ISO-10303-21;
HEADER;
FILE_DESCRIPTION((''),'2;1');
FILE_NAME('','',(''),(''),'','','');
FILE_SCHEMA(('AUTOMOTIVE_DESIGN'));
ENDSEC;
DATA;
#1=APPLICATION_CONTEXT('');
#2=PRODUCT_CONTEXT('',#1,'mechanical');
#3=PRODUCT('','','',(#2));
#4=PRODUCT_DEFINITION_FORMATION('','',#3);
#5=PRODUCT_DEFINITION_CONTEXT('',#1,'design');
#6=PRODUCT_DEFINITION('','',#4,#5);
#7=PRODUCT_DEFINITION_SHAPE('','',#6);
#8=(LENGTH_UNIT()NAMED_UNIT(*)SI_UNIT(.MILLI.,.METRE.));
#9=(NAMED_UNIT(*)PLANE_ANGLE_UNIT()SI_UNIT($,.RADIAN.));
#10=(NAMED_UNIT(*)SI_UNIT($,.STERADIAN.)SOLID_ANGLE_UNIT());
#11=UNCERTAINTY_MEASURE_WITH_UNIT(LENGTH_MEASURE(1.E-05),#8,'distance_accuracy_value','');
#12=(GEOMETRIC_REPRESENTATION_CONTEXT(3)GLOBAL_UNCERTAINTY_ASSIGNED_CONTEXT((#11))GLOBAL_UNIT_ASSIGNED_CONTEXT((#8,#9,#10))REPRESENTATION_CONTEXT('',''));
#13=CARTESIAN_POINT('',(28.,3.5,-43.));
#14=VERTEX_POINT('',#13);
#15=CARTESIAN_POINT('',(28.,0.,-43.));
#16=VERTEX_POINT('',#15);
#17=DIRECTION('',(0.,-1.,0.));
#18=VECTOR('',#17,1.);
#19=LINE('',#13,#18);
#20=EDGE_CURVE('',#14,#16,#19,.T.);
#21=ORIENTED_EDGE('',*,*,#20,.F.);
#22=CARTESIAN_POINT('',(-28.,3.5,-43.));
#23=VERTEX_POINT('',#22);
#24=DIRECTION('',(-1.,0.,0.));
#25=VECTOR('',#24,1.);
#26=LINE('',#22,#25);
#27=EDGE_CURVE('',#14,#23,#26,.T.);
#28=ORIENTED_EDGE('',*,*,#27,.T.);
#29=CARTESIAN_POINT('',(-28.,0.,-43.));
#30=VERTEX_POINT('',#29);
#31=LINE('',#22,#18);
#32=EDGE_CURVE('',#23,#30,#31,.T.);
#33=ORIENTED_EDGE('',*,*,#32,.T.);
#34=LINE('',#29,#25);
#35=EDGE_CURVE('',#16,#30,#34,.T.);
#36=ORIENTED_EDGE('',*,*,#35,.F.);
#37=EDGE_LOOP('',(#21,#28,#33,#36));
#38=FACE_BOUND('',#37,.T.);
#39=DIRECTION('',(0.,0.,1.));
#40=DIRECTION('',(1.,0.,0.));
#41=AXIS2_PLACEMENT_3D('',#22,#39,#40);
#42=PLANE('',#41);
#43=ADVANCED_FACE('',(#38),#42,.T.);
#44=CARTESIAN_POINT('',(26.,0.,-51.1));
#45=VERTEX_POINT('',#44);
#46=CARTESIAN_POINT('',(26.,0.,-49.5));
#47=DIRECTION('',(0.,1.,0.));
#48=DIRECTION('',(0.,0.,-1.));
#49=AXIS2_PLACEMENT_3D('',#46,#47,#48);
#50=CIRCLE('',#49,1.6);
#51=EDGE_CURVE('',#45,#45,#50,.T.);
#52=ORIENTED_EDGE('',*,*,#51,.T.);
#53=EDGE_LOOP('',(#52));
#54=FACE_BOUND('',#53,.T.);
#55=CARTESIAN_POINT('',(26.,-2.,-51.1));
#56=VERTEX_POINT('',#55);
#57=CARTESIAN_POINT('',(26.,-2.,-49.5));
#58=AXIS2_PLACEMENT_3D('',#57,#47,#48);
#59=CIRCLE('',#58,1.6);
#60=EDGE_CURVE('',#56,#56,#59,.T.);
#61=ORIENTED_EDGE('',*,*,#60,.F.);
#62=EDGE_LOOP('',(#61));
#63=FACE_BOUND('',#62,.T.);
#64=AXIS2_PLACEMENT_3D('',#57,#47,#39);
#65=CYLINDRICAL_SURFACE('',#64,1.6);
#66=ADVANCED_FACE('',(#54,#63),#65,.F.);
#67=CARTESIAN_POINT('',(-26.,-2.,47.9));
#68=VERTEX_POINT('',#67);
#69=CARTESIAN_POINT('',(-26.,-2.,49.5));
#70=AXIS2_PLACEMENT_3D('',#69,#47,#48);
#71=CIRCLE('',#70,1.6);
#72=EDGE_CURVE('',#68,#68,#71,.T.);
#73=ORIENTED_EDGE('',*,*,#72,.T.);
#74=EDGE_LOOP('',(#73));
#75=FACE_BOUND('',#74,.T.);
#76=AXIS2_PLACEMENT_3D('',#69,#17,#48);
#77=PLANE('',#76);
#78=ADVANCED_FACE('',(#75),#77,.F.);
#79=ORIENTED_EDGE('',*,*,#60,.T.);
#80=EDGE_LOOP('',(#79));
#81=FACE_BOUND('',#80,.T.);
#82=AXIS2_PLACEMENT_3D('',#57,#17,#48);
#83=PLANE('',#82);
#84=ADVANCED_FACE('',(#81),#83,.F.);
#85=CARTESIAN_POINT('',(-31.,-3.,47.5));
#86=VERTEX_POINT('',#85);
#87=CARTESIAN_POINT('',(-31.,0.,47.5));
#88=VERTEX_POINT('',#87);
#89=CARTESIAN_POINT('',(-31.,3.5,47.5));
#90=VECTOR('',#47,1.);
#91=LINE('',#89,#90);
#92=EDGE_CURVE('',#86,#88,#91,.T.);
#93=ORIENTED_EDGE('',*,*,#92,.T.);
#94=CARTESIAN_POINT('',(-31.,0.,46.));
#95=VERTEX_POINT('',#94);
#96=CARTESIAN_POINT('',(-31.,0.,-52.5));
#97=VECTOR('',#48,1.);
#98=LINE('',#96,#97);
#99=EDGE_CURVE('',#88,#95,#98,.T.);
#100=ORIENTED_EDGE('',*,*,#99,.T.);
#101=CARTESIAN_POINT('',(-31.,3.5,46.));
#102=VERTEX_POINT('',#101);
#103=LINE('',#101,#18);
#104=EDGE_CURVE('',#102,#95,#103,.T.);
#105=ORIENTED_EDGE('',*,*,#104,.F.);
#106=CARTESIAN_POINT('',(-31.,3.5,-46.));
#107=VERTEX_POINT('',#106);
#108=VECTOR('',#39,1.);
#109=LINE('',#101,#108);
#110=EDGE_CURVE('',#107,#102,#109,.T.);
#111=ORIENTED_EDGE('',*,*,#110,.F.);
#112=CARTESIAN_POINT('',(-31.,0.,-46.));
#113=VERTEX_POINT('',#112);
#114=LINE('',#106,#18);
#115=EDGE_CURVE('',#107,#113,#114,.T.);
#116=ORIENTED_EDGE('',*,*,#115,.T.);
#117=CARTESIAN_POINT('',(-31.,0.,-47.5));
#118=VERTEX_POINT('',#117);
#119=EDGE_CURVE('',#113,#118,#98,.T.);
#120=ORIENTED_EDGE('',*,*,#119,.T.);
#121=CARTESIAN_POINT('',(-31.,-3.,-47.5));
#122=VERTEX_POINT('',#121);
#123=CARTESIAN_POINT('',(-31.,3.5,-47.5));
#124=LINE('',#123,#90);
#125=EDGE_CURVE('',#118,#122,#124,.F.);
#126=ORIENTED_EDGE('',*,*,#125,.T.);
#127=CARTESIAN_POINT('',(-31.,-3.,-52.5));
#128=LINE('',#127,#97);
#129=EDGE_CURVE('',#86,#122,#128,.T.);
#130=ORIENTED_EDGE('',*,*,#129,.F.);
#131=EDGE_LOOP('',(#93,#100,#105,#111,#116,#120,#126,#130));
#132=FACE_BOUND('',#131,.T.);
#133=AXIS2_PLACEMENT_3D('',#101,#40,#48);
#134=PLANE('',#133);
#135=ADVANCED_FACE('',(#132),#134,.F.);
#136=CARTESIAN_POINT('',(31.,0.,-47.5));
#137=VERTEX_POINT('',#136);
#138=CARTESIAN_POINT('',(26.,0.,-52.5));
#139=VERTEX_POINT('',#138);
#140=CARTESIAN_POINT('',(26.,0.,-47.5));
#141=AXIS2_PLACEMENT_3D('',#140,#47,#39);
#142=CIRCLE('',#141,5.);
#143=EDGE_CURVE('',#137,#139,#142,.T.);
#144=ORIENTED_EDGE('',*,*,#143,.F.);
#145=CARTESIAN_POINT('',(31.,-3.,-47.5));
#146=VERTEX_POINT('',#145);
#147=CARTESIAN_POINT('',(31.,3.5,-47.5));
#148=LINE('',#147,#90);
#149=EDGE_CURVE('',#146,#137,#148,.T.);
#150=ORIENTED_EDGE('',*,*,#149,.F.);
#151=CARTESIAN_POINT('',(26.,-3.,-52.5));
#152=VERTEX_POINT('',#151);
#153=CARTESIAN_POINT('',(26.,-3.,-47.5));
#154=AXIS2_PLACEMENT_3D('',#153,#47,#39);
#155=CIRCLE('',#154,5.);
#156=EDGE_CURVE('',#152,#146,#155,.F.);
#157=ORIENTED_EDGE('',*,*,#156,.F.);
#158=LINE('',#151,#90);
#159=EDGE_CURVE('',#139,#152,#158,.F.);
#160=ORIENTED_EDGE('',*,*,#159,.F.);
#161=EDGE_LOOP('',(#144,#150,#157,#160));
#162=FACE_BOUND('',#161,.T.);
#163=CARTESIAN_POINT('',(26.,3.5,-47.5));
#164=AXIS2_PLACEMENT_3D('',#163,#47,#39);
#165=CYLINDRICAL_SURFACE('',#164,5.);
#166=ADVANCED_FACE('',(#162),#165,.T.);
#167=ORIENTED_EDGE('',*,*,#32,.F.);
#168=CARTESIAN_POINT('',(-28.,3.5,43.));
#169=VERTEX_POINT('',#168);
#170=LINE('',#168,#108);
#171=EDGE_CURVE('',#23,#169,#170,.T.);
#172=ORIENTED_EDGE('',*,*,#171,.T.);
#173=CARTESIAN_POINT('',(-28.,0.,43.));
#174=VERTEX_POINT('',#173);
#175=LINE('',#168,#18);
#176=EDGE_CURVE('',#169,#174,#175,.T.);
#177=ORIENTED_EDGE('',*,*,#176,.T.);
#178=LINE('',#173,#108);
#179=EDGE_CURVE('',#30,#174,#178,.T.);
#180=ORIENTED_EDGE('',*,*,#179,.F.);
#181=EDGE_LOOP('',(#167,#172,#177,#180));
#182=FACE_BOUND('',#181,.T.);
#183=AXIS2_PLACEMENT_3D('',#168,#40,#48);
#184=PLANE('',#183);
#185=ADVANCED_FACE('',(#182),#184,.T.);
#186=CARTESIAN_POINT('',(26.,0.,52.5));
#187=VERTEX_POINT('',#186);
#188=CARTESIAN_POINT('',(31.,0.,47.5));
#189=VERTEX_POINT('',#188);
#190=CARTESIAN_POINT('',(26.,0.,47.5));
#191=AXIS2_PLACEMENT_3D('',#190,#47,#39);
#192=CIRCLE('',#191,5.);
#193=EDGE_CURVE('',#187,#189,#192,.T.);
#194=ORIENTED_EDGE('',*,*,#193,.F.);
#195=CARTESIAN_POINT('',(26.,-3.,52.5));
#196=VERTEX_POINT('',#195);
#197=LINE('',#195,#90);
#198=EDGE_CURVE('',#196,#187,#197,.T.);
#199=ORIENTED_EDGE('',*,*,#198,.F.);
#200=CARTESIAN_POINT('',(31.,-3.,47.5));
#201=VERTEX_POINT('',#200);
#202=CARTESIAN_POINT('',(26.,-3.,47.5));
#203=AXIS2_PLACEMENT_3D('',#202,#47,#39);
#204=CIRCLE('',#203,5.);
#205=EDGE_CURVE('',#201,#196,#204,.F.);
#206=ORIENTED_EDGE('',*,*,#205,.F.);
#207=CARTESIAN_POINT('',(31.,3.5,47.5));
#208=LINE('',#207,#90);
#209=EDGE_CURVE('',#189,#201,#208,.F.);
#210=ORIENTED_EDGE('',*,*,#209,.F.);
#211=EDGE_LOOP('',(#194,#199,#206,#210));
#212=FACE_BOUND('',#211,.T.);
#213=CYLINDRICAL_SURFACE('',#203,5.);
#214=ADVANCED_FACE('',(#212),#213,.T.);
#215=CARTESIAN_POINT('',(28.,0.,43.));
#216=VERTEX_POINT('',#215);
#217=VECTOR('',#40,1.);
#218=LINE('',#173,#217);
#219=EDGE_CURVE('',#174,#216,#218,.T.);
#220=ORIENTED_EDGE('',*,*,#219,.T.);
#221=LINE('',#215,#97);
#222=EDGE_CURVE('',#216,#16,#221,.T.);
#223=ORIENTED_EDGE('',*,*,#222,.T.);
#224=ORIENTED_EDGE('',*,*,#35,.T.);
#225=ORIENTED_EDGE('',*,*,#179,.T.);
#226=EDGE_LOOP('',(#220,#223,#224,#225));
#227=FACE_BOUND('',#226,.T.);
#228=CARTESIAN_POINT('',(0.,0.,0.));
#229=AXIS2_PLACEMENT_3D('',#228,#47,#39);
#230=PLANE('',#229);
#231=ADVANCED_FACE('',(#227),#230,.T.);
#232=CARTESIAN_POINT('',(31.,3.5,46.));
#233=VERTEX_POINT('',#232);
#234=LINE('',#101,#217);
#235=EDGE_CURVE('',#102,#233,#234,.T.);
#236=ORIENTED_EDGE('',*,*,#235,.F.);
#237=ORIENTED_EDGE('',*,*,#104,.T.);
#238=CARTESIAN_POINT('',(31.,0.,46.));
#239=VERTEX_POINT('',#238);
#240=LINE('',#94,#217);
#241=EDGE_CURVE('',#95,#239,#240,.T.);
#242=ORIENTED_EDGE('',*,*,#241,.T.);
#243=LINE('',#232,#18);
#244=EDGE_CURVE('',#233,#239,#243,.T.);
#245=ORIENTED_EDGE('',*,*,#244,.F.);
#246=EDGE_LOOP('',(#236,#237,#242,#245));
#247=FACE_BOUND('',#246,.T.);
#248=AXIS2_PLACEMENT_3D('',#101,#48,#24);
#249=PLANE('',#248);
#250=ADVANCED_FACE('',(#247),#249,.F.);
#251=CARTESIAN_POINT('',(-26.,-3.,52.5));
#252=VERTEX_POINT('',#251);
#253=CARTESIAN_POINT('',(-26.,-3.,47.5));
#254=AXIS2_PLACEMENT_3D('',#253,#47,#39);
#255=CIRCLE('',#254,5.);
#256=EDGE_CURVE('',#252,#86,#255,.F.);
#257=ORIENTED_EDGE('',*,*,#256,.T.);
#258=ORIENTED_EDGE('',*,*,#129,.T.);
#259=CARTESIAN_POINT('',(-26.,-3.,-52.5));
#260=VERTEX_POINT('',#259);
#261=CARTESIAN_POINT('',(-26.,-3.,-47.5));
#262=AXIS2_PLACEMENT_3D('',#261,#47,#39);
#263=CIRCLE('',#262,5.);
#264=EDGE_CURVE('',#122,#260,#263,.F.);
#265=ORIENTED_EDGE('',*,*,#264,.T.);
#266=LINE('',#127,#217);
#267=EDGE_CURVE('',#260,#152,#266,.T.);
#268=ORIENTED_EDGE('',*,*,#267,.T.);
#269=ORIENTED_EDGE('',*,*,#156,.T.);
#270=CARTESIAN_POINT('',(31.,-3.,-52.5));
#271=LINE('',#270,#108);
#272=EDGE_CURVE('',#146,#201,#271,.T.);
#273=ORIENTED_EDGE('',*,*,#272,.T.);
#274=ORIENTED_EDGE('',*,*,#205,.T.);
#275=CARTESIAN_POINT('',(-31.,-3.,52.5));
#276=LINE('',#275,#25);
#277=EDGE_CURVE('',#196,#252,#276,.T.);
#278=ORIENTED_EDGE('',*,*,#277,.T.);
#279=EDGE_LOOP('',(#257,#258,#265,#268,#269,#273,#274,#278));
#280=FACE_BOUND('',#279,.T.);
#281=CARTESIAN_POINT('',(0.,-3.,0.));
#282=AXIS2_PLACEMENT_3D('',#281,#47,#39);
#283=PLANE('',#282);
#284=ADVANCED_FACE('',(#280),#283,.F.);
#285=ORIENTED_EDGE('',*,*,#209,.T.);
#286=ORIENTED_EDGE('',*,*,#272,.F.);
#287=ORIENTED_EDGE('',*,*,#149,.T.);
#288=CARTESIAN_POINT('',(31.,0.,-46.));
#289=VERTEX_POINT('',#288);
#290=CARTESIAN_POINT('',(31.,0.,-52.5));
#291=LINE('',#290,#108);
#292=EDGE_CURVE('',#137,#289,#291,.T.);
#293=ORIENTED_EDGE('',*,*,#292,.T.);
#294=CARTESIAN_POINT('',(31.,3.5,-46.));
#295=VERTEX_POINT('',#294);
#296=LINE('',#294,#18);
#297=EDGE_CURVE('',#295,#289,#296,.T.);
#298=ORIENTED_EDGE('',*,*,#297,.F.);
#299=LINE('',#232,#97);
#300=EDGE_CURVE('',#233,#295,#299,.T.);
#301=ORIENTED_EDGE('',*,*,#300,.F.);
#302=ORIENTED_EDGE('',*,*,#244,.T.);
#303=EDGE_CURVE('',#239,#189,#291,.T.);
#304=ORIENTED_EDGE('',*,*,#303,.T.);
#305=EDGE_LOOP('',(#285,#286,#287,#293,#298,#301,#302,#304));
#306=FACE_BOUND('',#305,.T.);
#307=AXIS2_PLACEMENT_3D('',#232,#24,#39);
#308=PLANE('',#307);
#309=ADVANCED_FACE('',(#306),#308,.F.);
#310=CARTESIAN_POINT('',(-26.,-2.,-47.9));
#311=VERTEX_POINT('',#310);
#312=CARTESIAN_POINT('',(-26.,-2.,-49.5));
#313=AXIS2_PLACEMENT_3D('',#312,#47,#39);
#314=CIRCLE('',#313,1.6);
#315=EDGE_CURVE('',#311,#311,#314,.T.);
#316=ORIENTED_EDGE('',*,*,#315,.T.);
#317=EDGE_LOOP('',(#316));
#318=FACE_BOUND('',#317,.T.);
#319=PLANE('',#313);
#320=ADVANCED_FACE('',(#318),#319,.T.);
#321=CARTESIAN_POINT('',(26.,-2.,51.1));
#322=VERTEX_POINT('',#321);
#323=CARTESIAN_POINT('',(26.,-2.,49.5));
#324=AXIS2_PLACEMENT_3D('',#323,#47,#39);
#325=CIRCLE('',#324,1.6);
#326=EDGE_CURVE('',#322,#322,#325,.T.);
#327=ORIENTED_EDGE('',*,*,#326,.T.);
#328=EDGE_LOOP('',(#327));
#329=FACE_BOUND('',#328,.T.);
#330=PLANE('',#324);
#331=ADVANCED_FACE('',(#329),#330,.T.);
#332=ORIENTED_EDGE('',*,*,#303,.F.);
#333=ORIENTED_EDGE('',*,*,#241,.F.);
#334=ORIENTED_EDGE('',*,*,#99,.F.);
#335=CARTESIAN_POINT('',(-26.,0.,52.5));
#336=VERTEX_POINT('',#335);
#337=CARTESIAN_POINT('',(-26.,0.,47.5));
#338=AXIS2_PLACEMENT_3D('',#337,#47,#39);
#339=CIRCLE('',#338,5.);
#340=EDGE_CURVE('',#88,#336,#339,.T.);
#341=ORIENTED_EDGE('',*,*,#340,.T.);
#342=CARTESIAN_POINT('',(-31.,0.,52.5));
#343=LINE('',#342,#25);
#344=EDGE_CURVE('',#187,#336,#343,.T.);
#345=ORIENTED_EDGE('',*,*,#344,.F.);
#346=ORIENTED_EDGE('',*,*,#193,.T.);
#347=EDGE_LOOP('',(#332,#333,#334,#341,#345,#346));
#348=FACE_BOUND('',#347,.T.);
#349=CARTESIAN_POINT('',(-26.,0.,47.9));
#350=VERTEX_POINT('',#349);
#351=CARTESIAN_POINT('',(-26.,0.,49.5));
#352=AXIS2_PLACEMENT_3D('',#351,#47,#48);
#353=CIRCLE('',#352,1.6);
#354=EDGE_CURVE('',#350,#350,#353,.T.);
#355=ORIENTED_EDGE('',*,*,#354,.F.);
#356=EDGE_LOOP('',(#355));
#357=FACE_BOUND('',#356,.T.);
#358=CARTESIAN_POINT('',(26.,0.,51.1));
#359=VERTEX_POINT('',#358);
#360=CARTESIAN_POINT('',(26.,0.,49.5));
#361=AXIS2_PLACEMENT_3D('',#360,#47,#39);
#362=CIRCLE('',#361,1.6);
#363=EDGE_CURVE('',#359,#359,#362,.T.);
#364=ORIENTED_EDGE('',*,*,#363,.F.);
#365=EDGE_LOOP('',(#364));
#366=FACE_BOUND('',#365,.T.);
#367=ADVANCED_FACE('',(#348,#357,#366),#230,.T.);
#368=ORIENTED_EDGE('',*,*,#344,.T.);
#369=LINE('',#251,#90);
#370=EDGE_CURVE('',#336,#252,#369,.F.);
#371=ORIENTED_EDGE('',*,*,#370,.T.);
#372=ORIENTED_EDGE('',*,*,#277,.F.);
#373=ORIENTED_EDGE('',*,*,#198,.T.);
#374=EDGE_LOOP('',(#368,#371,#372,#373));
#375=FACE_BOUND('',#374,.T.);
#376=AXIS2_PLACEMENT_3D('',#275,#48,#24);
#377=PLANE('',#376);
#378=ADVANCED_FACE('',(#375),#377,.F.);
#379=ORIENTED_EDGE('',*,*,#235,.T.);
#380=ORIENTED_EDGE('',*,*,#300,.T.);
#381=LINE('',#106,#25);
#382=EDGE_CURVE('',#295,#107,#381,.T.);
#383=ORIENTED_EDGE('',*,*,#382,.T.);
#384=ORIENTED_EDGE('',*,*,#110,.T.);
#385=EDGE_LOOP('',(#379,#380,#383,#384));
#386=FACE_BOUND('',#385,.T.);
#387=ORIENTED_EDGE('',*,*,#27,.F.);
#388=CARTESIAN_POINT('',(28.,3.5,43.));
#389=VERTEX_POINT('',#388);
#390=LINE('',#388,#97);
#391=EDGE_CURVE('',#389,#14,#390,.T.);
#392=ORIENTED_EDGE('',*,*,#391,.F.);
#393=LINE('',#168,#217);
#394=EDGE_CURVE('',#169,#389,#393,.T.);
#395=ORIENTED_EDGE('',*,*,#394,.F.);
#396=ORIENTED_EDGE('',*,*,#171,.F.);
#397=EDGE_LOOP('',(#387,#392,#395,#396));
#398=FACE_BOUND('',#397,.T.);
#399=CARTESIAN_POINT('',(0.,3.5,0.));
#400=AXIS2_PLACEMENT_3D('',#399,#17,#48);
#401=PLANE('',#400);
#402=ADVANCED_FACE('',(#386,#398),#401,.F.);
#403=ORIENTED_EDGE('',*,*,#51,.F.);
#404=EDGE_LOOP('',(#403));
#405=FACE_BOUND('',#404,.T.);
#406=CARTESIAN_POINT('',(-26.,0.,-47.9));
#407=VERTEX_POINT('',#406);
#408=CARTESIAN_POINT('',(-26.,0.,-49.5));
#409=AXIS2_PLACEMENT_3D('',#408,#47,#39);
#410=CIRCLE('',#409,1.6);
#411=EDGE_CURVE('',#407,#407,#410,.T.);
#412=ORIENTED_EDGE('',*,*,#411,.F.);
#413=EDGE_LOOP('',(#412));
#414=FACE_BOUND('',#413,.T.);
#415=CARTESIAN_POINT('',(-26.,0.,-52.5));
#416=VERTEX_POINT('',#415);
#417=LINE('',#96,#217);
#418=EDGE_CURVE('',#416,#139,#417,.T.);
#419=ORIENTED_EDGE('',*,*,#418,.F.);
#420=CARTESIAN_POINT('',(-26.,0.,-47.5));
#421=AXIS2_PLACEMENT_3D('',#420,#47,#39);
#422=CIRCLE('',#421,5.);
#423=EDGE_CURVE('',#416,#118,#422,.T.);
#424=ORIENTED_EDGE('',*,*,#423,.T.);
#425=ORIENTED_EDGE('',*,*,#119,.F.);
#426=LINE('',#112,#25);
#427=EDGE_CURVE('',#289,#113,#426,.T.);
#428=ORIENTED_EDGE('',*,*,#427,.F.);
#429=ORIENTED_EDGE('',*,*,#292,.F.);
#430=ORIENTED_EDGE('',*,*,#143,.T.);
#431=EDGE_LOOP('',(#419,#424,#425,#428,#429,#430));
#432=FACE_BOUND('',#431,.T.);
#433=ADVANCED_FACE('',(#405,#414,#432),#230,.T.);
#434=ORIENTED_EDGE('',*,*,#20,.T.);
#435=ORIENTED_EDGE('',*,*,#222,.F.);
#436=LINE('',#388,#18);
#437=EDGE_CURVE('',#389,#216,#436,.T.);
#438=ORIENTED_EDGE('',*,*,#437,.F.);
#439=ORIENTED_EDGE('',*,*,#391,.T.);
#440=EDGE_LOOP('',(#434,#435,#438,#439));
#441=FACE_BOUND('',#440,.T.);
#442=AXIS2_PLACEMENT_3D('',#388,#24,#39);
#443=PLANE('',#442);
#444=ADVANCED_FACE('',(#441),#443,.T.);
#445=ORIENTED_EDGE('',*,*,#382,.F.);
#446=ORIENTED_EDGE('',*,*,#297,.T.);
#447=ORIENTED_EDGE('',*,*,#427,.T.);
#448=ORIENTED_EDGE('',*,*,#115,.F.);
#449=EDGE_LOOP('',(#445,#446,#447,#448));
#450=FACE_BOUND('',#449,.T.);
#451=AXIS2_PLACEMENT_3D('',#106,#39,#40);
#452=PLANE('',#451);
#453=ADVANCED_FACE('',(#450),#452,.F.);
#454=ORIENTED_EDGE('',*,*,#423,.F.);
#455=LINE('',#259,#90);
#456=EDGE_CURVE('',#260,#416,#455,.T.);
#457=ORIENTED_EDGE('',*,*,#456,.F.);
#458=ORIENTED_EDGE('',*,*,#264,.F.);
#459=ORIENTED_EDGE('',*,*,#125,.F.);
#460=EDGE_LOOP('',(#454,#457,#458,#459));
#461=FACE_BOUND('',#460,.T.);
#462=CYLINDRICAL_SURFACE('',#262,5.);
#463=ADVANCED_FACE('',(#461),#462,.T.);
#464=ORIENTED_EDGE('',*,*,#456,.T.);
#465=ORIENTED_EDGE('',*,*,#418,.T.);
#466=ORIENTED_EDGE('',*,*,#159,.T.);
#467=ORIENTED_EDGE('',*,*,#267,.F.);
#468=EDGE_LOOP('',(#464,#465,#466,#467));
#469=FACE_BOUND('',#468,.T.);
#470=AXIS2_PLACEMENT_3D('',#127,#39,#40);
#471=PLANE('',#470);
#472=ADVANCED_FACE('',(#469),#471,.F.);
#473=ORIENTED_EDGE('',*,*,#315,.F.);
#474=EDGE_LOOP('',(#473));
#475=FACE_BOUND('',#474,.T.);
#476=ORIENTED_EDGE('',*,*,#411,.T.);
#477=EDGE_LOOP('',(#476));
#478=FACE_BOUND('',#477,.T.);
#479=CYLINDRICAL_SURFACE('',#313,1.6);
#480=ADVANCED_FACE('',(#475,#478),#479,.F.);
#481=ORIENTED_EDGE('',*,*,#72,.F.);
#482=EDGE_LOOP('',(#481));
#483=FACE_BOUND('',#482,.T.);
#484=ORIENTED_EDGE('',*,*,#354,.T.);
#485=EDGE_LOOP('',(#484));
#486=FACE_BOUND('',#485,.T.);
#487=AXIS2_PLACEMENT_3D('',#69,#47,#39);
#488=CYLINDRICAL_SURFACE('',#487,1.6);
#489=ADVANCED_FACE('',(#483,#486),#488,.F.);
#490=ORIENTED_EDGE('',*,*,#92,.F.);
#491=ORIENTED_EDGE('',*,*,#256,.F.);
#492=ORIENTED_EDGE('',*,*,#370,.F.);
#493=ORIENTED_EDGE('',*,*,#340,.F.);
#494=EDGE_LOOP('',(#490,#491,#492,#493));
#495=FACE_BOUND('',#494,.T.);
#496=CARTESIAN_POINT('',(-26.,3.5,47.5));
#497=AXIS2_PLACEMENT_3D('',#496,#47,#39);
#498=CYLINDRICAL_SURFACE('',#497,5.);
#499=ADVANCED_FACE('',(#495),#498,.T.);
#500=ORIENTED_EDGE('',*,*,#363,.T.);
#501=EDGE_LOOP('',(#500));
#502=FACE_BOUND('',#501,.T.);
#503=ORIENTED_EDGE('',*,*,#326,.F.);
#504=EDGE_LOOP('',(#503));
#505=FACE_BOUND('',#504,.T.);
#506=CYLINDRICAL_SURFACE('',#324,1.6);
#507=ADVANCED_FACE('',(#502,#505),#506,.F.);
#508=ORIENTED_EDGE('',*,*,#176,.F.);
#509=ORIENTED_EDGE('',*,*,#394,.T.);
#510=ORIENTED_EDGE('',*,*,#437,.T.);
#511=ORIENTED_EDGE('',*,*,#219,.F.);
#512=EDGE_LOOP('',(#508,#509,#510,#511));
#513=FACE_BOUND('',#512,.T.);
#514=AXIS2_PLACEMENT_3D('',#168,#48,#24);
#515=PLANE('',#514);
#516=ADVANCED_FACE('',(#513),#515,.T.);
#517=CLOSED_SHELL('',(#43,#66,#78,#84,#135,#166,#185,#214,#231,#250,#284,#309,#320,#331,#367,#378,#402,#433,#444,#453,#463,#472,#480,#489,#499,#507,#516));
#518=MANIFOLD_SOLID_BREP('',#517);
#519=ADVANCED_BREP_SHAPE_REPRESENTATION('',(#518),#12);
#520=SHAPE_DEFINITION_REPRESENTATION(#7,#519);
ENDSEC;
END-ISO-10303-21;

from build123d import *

# Parameters (mm, degrees)
SKETCH_1_W          = 62
SKETCH_1_H          = 92
SKETCH_1_W_2        = 56
SKETCH_1_H_2        = 86
EXTRUDE_1_DEPTH     = 3.5
SKETCH_2_W          = 62
SKETCH_2_H          = 105
EXTRUDE_2_DEPTH     = 3
FILLET_2_R          = 5
SKETCH_3_R          = 1.6
CUT_EXTRUDE_1_DEPTH = 2


with BuildPart() as part:
    # 草图1 → 凸台-拉伸1 (new body)
    with BuildSketch(Plane(origin=(0, 0, 0), x_dir=(1, 0, 0), z_dir=(0, 1, 0))):
        Rectangle(SKETCH_1_W, SKETCH_1_H)
        Rectangle(SKETCH_1_W_2, SKETCH_1_H_2, mode=Mode.SUBTRACT)
    extrude(amount=EXTRUDE_1_DEPTH)

    # 草图2 → 凸台-拉伸2 (add)
    with BuildSketch(Plane.XZ):
        Rectangle(SKETCH_2_W, SKETCH_2_H)
    extrude(amount=EXTRUDE_2_DEPTH)

    # 圆角2
    fillet_2_edges = [part.edges().sort_by_distance(p)[0] for p in [
        (31, -1.5, -52.5),
        (31, -1.5, 52.5),
        (-31, -1.5, 52.5),
        (-31, -1.5, -52.5),
    ]]
    fillet(fillet_2_edges, radius=FILLET_2_R)

    # 草图3 → 切除-拉伸1 (cut)
    with BuildSketch(Plane(origin=(0, 0, 0), x_dir=(1, 0, 0), z_dir=(0, 1, 0))):
        with Locations(Location((-26, 49.5, 0), (0, 0, 270))):
            Circle(SKETCH_3_R)
        with Locations(Location((26, 49.5, 0), (0, 0, 90))):
            Circle(SKETCH_3_R)
        with Locations(Location((26, -49.5, 0), (0, 0, 270))):
            Circle(SKETCH_3_R)
        with Locations(Location((-26, -49.5, 0), (0, 0, 90))):
            Circle(SKETCH_3_R)
    extrude(amount=-CUT_EXTRUDE_1_DEPTH, mode=Mode.SUBTRACT)


solid = part.part
